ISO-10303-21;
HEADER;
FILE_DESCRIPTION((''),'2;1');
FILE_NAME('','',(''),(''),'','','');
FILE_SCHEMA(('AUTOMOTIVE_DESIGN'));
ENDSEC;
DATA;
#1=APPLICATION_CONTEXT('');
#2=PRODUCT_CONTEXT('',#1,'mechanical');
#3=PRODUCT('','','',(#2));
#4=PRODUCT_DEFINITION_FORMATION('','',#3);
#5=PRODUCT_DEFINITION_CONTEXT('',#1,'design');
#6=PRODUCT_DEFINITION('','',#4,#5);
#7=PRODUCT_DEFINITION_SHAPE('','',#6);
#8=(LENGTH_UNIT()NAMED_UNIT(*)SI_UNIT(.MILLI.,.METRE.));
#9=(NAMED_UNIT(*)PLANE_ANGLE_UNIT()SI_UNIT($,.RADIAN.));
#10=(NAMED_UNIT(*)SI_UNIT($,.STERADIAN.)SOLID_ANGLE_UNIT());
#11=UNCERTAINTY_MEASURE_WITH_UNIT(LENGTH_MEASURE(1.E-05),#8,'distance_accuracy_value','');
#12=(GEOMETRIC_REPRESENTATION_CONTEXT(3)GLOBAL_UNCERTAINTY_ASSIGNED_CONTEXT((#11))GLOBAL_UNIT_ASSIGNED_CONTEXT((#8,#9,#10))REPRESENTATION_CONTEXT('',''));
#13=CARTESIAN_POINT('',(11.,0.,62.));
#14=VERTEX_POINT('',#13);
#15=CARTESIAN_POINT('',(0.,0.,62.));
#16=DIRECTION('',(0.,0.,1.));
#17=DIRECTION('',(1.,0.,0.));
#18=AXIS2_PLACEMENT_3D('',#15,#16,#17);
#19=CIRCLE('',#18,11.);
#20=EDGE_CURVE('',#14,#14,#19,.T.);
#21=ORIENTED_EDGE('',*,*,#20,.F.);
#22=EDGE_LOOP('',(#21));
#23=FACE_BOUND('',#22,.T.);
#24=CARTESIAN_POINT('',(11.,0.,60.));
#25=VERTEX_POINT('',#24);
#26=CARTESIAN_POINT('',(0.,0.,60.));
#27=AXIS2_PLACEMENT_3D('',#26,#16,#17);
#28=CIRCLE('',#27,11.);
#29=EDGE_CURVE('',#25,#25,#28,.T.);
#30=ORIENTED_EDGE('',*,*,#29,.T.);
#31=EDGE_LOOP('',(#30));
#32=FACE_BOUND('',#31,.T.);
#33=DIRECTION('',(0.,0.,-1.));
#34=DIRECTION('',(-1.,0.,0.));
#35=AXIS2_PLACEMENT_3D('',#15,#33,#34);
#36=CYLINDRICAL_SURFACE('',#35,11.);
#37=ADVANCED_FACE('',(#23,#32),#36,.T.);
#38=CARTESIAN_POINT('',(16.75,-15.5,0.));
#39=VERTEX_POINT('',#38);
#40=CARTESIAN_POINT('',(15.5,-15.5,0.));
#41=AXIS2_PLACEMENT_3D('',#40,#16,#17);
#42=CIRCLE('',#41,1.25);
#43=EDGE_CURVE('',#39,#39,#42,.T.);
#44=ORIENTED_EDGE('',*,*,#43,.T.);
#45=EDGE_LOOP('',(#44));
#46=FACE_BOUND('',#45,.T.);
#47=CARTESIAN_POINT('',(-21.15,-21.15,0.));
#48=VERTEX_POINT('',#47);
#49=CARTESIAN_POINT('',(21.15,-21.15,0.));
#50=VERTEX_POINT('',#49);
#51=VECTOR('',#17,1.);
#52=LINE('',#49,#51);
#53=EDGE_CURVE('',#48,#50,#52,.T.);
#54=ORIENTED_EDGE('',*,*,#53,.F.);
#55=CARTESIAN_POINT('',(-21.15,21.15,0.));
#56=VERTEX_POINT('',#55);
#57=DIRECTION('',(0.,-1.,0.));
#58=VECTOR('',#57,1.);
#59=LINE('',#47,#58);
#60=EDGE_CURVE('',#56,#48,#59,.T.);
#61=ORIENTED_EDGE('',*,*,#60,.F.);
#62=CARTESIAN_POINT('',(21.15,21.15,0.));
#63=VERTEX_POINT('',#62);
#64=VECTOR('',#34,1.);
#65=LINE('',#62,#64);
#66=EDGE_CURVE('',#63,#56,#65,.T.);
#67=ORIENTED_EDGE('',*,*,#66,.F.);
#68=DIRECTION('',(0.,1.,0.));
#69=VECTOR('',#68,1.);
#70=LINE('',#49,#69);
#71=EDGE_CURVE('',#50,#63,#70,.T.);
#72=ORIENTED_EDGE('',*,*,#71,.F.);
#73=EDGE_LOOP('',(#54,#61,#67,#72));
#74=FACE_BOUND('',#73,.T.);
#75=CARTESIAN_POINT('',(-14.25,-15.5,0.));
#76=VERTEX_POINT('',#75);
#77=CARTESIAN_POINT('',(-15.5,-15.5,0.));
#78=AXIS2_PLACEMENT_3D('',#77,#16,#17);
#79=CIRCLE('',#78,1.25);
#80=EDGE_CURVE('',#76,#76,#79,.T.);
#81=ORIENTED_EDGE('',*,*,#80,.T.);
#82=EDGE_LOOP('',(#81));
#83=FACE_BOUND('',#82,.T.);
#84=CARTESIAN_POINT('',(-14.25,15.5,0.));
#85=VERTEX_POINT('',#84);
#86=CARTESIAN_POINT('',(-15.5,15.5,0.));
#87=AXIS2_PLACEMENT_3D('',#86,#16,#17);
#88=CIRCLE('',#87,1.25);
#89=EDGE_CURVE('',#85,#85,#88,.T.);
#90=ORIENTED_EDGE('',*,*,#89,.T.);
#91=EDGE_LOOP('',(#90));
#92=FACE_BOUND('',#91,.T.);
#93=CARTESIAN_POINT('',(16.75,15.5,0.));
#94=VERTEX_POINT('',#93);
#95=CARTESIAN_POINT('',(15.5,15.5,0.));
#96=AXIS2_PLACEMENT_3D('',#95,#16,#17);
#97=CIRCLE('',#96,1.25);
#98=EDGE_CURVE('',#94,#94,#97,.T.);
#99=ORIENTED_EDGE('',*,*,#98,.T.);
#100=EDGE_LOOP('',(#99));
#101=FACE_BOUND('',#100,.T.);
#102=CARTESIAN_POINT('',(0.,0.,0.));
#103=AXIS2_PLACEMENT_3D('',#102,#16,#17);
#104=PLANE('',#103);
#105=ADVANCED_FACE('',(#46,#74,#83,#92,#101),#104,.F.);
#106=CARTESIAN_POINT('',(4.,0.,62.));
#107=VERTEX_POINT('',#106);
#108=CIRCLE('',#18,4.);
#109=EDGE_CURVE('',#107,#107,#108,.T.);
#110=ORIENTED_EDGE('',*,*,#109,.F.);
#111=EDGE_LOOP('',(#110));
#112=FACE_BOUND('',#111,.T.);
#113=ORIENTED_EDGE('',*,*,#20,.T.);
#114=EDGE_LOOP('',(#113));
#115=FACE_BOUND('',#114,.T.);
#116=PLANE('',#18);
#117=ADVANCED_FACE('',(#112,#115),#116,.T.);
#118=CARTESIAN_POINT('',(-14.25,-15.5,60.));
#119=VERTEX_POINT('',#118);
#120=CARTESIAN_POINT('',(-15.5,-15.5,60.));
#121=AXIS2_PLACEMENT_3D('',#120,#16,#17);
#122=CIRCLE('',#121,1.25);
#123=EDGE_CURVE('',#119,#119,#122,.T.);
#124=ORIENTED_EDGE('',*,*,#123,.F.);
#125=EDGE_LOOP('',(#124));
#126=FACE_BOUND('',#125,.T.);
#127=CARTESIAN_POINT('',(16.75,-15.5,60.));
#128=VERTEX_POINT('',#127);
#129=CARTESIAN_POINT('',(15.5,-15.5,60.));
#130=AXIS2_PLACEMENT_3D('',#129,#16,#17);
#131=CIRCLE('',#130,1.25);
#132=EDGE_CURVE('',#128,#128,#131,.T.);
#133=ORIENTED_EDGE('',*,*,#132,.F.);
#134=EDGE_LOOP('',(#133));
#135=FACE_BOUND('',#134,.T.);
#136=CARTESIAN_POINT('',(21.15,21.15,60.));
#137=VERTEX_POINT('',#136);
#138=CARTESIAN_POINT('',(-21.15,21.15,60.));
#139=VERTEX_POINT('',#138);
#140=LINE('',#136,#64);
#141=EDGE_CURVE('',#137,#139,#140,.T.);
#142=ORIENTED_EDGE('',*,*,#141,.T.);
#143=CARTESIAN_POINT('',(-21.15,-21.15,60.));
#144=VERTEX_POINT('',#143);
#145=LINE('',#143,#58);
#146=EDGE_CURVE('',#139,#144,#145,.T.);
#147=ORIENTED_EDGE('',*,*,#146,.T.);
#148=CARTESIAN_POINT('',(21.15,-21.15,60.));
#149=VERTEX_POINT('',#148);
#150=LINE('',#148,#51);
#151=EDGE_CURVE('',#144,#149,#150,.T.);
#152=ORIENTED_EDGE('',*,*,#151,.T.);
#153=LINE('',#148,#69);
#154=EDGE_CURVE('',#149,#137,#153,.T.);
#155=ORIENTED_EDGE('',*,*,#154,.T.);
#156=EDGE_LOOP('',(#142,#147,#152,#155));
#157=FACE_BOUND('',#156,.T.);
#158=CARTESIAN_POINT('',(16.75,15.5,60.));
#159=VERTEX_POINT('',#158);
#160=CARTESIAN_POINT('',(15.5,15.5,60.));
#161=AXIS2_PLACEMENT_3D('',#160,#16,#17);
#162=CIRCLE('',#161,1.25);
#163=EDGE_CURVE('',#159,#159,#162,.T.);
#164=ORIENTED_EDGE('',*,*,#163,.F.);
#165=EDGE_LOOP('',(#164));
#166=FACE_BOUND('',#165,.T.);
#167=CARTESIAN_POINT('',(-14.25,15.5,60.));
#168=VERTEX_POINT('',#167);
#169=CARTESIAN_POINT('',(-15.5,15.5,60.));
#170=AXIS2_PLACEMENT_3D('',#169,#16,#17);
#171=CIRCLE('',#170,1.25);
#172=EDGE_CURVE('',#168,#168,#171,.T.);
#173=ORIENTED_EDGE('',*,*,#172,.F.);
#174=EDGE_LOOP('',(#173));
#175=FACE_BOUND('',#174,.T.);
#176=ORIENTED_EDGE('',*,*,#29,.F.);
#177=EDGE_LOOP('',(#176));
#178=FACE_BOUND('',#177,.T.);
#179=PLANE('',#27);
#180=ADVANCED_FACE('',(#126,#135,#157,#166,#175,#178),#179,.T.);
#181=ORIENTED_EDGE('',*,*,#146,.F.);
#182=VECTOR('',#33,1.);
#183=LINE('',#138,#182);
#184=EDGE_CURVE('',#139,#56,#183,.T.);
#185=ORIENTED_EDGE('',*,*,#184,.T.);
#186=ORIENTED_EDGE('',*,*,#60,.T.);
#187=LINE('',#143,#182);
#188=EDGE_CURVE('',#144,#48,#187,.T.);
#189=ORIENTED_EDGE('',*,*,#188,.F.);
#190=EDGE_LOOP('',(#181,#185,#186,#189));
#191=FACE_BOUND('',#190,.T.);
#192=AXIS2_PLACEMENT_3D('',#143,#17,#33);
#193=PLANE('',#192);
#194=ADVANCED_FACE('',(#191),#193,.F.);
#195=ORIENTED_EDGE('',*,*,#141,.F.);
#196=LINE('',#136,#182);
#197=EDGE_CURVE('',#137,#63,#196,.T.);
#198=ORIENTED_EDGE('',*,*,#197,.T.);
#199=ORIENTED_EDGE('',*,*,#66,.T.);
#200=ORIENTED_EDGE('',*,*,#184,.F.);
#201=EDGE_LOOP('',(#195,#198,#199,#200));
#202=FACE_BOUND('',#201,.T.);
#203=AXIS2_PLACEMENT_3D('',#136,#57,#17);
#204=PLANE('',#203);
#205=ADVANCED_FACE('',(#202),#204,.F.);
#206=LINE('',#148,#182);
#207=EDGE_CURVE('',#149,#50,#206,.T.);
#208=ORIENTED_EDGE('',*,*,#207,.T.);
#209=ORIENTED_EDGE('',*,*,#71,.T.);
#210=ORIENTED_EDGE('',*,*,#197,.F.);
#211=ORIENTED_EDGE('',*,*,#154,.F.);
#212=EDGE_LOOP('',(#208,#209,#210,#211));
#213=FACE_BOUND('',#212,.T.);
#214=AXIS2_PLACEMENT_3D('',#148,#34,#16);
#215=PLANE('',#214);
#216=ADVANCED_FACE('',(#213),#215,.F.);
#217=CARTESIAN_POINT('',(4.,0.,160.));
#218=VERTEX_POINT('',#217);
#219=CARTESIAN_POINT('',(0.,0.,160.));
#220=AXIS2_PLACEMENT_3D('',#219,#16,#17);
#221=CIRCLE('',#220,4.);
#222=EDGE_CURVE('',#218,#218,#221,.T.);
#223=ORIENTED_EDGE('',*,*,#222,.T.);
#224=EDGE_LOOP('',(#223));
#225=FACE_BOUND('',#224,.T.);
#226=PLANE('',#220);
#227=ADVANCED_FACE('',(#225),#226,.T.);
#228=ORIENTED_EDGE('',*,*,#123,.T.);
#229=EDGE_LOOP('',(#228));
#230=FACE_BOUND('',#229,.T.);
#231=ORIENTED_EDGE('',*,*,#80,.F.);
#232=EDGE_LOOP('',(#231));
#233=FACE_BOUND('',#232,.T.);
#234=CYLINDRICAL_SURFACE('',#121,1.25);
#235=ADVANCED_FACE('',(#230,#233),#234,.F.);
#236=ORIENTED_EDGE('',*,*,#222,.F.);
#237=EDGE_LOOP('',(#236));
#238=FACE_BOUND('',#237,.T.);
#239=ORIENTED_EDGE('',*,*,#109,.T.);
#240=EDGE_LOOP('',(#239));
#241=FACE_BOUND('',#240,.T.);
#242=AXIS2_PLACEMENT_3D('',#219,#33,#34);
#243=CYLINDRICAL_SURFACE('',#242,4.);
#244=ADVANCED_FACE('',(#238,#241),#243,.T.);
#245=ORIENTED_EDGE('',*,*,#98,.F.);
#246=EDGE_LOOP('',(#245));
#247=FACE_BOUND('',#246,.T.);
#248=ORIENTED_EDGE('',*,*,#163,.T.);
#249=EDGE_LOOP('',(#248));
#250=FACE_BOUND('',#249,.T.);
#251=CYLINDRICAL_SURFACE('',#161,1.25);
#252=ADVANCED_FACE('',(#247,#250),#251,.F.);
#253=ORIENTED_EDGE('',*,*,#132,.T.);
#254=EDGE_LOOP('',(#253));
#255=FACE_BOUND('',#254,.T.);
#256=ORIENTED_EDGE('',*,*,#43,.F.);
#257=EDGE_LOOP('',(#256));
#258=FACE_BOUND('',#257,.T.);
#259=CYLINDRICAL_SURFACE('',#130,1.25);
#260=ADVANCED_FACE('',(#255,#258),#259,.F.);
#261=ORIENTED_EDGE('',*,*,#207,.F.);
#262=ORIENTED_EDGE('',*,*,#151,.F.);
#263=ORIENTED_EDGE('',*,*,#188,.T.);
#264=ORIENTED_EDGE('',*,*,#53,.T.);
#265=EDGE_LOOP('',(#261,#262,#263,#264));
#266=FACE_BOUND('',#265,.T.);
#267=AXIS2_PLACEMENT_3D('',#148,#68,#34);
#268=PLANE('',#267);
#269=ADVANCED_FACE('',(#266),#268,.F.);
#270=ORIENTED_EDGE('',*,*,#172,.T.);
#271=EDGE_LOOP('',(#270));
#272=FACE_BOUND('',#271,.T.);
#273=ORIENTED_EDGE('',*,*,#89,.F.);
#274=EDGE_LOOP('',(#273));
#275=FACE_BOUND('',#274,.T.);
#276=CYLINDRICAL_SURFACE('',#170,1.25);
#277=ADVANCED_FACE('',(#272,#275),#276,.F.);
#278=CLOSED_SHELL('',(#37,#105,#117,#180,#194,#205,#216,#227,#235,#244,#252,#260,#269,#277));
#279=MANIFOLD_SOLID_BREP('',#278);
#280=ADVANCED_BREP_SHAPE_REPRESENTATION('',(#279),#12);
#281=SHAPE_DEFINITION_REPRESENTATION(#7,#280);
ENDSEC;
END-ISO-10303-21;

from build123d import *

# Parameters (mm, degrees)
SKETCH_1_W         = 42.3
SKETCH_1_H         = 42.3
EXTRUDE_1_DEPTH    = 60
SKETCH_2_R         = 11
EXTRUDE_2_DEPTH    = 2
SKETCH_3_R         = 4
EXTRUDE_3_DEPTH    = 98
HOLE_WIZARD_M3_1_D = 2.5


with BuildPart() as part:
    # 草图1 → 凸台-拉伸1 (new body)
    with BuildSketch(Plane.XY):
        Rectangle(SKETCH_1_W, SKETCH_1_H)
    extrude(amount=EXTRUDE_1_DEPTH)

    # 草图2 → 凸台-拉伸2 (add)
    with BuildSketch(Plane.XY.offset(60)):
        Circle(SKETCH_2_R)
    extrude(amount=EXTRUDE_2_DEPTH)

    # 草图3 → 凸台-拉伸3 (add)
    with BuildSketch(Plane.XY.offset(62)):
        Circle(SKETCH_3_R)
    extrude(amount=EXTRUDE_3_DEPTH)

    # M3 螺纹孔1 (through all)
    with Locations(Plane.XY.offset(60)):
        with Locations((-15.5, 15.5), (15.5, 15.5), (15.5, -15.5), (-15.5, -15.5)):
            Hole(HOLE_WIZARD_M3_1_D / 2)


solid = part.part
